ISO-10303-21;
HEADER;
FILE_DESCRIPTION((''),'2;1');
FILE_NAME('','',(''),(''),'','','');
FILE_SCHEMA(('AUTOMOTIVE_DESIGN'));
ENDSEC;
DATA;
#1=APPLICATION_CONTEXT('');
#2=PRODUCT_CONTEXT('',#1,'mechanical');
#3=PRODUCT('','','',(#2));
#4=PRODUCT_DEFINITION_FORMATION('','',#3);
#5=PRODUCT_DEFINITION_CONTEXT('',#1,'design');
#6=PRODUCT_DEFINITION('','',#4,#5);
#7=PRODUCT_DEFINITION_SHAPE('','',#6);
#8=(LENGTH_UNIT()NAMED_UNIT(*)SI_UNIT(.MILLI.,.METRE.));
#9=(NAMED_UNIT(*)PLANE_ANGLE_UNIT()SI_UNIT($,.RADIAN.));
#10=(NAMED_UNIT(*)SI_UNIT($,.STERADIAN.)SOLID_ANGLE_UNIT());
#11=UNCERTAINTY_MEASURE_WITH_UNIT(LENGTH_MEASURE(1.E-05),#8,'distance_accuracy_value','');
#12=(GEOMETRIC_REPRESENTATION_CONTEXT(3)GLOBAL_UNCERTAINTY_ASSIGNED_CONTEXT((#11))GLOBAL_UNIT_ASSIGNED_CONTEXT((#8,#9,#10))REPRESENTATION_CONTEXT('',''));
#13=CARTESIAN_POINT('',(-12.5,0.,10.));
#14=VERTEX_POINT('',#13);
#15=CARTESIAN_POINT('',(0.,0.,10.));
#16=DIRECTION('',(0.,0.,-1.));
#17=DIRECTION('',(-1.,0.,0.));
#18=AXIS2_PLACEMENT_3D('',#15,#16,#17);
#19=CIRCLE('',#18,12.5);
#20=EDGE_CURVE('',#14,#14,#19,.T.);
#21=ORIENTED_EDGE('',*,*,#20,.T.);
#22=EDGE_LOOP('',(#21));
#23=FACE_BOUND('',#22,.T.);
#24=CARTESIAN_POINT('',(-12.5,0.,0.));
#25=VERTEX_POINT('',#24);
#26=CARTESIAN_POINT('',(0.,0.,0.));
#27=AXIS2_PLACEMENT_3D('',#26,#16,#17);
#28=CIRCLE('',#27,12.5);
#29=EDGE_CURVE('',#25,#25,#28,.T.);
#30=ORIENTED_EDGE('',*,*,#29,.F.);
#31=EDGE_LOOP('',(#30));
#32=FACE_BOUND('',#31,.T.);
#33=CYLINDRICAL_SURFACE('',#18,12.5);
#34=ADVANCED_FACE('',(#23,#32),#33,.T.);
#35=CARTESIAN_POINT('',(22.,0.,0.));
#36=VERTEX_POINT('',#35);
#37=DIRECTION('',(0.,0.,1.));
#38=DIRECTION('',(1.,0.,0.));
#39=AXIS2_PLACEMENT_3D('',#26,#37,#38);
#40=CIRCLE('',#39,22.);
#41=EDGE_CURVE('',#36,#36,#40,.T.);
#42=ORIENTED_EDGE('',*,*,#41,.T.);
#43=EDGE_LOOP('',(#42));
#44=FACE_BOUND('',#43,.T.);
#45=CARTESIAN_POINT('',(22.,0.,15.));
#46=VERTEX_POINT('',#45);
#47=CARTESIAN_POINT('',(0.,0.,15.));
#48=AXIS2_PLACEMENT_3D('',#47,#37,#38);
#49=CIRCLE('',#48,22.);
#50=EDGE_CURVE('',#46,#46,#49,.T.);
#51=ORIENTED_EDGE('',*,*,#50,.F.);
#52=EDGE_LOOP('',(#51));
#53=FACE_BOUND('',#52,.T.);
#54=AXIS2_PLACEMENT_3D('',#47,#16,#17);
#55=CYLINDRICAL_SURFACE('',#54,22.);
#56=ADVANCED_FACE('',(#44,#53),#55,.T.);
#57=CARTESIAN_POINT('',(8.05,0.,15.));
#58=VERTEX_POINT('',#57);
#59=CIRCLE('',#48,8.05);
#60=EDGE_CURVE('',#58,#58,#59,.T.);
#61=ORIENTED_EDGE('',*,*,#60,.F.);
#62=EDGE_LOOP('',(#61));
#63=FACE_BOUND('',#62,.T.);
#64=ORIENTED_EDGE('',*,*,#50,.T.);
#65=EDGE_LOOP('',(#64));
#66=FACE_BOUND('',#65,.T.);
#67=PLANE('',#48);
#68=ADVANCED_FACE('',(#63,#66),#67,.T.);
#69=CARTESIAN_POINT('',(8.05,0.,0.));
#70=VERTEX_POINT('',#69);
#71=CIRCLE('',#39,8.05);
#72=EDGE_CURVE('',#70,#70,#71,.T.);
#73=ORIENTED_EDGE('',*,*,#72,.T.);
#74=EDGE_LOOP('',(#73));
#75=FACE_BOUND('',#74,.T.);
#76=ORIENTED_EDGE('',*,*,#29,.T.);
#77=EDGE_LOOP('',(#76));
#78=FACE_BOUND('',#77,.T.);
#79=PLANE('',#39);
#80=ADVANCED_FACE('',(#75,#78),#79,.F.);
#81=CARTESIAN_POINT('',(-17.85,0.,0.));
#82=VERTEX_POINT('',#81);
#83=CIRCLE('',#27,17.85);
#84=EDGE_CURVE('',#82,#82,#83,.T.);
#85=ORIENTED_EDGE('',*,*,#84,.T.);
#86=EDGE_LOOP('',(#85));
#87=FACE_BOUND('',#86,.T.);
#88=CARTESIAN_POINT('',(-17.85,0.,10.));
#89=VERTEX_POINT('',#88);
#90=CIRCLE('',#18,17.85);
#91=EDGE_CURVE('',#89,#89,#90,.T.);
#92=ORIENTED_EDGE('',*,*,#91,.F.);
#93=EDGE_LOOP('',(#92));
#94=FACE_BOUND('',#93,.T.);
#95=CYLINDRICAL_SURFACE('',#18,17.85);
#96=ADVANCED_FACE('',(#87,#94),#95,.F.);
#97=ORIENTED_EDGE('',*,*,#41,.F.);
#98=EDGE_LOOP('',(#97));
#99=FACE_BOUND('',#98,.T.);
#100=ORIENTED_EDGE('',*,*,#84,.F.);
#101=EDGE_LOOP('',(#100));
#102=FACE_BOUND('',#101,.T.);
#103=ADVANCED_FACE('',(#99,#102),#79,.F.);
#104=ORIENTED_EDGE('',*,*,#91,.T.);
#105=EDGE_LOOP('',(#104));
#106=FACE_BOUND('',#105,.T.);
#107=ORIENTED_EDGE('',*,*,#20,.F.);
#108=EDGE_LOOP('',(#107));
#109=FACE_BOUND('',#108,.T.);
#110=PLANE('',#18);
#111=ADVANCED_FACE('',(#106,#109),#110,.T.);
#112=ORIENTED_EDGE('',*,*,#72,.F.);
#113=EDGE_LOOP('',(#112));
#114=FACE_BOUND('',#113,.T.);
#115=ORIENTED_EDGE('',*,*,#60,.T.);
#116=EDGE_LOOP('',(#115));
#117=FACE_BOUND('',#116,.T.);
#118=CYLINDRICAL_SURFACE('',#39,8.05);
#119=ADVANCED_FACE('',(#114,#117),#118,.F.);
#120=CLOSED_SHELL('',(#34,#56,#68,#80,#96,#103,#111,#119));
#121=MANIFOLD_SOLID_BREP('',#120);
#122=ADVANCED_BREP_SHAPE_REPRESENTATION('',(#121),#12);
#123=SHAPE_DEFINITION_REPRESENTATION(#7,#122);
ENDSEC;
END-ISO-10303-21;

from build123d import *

# Parameters (mm, degrees)
SKETCH1_R           = 22
BOSS_EXTRUDE1_DEPTH = 15
SKETCH2_R           = 17.85
SKETCH2_R_2         = 12.5
CUT_EXTRUDE1_DEPTH  = 10
SKETCH3_R           = 8.05
CUT_EXTRUDE2_DEPTH  = 35.539832078


with BuildPart() as part:
    # Sketch1 → Boss-Extrude1 (new body)
    with BuildSketch(Plane.XY):
        Circle(SKETCH1_R)
    extrude(amount=BOSS_EXTRUDE1_DEPTH)

    # Sketch2 → Cut-Extrude1 (cut)
    with BuildSketch(Plane(origin=(0, 0, 0), x_dir=(-1, 0, 0), z_dir=(0, 0, -1))):
        Circle(SKETCH2_R)
        Circle(SKETCH2_R_2, mode=Mode.SUBTRACT)
    extrude(amount=-CUT_EXTRUDE1_DEPTH, mode=Mode.SUBTRACT)

    # Sketch3 → Cut-Extrude2 (cut, through all)
    with BuildSketch(Plane.XY.offset(15)):
        Circle(SKETCH3_R)
    extrude(amount=-CUT_EXTRUDE2_DEPTH, mode=Mode.SUBTRACT)


solid = part.part
